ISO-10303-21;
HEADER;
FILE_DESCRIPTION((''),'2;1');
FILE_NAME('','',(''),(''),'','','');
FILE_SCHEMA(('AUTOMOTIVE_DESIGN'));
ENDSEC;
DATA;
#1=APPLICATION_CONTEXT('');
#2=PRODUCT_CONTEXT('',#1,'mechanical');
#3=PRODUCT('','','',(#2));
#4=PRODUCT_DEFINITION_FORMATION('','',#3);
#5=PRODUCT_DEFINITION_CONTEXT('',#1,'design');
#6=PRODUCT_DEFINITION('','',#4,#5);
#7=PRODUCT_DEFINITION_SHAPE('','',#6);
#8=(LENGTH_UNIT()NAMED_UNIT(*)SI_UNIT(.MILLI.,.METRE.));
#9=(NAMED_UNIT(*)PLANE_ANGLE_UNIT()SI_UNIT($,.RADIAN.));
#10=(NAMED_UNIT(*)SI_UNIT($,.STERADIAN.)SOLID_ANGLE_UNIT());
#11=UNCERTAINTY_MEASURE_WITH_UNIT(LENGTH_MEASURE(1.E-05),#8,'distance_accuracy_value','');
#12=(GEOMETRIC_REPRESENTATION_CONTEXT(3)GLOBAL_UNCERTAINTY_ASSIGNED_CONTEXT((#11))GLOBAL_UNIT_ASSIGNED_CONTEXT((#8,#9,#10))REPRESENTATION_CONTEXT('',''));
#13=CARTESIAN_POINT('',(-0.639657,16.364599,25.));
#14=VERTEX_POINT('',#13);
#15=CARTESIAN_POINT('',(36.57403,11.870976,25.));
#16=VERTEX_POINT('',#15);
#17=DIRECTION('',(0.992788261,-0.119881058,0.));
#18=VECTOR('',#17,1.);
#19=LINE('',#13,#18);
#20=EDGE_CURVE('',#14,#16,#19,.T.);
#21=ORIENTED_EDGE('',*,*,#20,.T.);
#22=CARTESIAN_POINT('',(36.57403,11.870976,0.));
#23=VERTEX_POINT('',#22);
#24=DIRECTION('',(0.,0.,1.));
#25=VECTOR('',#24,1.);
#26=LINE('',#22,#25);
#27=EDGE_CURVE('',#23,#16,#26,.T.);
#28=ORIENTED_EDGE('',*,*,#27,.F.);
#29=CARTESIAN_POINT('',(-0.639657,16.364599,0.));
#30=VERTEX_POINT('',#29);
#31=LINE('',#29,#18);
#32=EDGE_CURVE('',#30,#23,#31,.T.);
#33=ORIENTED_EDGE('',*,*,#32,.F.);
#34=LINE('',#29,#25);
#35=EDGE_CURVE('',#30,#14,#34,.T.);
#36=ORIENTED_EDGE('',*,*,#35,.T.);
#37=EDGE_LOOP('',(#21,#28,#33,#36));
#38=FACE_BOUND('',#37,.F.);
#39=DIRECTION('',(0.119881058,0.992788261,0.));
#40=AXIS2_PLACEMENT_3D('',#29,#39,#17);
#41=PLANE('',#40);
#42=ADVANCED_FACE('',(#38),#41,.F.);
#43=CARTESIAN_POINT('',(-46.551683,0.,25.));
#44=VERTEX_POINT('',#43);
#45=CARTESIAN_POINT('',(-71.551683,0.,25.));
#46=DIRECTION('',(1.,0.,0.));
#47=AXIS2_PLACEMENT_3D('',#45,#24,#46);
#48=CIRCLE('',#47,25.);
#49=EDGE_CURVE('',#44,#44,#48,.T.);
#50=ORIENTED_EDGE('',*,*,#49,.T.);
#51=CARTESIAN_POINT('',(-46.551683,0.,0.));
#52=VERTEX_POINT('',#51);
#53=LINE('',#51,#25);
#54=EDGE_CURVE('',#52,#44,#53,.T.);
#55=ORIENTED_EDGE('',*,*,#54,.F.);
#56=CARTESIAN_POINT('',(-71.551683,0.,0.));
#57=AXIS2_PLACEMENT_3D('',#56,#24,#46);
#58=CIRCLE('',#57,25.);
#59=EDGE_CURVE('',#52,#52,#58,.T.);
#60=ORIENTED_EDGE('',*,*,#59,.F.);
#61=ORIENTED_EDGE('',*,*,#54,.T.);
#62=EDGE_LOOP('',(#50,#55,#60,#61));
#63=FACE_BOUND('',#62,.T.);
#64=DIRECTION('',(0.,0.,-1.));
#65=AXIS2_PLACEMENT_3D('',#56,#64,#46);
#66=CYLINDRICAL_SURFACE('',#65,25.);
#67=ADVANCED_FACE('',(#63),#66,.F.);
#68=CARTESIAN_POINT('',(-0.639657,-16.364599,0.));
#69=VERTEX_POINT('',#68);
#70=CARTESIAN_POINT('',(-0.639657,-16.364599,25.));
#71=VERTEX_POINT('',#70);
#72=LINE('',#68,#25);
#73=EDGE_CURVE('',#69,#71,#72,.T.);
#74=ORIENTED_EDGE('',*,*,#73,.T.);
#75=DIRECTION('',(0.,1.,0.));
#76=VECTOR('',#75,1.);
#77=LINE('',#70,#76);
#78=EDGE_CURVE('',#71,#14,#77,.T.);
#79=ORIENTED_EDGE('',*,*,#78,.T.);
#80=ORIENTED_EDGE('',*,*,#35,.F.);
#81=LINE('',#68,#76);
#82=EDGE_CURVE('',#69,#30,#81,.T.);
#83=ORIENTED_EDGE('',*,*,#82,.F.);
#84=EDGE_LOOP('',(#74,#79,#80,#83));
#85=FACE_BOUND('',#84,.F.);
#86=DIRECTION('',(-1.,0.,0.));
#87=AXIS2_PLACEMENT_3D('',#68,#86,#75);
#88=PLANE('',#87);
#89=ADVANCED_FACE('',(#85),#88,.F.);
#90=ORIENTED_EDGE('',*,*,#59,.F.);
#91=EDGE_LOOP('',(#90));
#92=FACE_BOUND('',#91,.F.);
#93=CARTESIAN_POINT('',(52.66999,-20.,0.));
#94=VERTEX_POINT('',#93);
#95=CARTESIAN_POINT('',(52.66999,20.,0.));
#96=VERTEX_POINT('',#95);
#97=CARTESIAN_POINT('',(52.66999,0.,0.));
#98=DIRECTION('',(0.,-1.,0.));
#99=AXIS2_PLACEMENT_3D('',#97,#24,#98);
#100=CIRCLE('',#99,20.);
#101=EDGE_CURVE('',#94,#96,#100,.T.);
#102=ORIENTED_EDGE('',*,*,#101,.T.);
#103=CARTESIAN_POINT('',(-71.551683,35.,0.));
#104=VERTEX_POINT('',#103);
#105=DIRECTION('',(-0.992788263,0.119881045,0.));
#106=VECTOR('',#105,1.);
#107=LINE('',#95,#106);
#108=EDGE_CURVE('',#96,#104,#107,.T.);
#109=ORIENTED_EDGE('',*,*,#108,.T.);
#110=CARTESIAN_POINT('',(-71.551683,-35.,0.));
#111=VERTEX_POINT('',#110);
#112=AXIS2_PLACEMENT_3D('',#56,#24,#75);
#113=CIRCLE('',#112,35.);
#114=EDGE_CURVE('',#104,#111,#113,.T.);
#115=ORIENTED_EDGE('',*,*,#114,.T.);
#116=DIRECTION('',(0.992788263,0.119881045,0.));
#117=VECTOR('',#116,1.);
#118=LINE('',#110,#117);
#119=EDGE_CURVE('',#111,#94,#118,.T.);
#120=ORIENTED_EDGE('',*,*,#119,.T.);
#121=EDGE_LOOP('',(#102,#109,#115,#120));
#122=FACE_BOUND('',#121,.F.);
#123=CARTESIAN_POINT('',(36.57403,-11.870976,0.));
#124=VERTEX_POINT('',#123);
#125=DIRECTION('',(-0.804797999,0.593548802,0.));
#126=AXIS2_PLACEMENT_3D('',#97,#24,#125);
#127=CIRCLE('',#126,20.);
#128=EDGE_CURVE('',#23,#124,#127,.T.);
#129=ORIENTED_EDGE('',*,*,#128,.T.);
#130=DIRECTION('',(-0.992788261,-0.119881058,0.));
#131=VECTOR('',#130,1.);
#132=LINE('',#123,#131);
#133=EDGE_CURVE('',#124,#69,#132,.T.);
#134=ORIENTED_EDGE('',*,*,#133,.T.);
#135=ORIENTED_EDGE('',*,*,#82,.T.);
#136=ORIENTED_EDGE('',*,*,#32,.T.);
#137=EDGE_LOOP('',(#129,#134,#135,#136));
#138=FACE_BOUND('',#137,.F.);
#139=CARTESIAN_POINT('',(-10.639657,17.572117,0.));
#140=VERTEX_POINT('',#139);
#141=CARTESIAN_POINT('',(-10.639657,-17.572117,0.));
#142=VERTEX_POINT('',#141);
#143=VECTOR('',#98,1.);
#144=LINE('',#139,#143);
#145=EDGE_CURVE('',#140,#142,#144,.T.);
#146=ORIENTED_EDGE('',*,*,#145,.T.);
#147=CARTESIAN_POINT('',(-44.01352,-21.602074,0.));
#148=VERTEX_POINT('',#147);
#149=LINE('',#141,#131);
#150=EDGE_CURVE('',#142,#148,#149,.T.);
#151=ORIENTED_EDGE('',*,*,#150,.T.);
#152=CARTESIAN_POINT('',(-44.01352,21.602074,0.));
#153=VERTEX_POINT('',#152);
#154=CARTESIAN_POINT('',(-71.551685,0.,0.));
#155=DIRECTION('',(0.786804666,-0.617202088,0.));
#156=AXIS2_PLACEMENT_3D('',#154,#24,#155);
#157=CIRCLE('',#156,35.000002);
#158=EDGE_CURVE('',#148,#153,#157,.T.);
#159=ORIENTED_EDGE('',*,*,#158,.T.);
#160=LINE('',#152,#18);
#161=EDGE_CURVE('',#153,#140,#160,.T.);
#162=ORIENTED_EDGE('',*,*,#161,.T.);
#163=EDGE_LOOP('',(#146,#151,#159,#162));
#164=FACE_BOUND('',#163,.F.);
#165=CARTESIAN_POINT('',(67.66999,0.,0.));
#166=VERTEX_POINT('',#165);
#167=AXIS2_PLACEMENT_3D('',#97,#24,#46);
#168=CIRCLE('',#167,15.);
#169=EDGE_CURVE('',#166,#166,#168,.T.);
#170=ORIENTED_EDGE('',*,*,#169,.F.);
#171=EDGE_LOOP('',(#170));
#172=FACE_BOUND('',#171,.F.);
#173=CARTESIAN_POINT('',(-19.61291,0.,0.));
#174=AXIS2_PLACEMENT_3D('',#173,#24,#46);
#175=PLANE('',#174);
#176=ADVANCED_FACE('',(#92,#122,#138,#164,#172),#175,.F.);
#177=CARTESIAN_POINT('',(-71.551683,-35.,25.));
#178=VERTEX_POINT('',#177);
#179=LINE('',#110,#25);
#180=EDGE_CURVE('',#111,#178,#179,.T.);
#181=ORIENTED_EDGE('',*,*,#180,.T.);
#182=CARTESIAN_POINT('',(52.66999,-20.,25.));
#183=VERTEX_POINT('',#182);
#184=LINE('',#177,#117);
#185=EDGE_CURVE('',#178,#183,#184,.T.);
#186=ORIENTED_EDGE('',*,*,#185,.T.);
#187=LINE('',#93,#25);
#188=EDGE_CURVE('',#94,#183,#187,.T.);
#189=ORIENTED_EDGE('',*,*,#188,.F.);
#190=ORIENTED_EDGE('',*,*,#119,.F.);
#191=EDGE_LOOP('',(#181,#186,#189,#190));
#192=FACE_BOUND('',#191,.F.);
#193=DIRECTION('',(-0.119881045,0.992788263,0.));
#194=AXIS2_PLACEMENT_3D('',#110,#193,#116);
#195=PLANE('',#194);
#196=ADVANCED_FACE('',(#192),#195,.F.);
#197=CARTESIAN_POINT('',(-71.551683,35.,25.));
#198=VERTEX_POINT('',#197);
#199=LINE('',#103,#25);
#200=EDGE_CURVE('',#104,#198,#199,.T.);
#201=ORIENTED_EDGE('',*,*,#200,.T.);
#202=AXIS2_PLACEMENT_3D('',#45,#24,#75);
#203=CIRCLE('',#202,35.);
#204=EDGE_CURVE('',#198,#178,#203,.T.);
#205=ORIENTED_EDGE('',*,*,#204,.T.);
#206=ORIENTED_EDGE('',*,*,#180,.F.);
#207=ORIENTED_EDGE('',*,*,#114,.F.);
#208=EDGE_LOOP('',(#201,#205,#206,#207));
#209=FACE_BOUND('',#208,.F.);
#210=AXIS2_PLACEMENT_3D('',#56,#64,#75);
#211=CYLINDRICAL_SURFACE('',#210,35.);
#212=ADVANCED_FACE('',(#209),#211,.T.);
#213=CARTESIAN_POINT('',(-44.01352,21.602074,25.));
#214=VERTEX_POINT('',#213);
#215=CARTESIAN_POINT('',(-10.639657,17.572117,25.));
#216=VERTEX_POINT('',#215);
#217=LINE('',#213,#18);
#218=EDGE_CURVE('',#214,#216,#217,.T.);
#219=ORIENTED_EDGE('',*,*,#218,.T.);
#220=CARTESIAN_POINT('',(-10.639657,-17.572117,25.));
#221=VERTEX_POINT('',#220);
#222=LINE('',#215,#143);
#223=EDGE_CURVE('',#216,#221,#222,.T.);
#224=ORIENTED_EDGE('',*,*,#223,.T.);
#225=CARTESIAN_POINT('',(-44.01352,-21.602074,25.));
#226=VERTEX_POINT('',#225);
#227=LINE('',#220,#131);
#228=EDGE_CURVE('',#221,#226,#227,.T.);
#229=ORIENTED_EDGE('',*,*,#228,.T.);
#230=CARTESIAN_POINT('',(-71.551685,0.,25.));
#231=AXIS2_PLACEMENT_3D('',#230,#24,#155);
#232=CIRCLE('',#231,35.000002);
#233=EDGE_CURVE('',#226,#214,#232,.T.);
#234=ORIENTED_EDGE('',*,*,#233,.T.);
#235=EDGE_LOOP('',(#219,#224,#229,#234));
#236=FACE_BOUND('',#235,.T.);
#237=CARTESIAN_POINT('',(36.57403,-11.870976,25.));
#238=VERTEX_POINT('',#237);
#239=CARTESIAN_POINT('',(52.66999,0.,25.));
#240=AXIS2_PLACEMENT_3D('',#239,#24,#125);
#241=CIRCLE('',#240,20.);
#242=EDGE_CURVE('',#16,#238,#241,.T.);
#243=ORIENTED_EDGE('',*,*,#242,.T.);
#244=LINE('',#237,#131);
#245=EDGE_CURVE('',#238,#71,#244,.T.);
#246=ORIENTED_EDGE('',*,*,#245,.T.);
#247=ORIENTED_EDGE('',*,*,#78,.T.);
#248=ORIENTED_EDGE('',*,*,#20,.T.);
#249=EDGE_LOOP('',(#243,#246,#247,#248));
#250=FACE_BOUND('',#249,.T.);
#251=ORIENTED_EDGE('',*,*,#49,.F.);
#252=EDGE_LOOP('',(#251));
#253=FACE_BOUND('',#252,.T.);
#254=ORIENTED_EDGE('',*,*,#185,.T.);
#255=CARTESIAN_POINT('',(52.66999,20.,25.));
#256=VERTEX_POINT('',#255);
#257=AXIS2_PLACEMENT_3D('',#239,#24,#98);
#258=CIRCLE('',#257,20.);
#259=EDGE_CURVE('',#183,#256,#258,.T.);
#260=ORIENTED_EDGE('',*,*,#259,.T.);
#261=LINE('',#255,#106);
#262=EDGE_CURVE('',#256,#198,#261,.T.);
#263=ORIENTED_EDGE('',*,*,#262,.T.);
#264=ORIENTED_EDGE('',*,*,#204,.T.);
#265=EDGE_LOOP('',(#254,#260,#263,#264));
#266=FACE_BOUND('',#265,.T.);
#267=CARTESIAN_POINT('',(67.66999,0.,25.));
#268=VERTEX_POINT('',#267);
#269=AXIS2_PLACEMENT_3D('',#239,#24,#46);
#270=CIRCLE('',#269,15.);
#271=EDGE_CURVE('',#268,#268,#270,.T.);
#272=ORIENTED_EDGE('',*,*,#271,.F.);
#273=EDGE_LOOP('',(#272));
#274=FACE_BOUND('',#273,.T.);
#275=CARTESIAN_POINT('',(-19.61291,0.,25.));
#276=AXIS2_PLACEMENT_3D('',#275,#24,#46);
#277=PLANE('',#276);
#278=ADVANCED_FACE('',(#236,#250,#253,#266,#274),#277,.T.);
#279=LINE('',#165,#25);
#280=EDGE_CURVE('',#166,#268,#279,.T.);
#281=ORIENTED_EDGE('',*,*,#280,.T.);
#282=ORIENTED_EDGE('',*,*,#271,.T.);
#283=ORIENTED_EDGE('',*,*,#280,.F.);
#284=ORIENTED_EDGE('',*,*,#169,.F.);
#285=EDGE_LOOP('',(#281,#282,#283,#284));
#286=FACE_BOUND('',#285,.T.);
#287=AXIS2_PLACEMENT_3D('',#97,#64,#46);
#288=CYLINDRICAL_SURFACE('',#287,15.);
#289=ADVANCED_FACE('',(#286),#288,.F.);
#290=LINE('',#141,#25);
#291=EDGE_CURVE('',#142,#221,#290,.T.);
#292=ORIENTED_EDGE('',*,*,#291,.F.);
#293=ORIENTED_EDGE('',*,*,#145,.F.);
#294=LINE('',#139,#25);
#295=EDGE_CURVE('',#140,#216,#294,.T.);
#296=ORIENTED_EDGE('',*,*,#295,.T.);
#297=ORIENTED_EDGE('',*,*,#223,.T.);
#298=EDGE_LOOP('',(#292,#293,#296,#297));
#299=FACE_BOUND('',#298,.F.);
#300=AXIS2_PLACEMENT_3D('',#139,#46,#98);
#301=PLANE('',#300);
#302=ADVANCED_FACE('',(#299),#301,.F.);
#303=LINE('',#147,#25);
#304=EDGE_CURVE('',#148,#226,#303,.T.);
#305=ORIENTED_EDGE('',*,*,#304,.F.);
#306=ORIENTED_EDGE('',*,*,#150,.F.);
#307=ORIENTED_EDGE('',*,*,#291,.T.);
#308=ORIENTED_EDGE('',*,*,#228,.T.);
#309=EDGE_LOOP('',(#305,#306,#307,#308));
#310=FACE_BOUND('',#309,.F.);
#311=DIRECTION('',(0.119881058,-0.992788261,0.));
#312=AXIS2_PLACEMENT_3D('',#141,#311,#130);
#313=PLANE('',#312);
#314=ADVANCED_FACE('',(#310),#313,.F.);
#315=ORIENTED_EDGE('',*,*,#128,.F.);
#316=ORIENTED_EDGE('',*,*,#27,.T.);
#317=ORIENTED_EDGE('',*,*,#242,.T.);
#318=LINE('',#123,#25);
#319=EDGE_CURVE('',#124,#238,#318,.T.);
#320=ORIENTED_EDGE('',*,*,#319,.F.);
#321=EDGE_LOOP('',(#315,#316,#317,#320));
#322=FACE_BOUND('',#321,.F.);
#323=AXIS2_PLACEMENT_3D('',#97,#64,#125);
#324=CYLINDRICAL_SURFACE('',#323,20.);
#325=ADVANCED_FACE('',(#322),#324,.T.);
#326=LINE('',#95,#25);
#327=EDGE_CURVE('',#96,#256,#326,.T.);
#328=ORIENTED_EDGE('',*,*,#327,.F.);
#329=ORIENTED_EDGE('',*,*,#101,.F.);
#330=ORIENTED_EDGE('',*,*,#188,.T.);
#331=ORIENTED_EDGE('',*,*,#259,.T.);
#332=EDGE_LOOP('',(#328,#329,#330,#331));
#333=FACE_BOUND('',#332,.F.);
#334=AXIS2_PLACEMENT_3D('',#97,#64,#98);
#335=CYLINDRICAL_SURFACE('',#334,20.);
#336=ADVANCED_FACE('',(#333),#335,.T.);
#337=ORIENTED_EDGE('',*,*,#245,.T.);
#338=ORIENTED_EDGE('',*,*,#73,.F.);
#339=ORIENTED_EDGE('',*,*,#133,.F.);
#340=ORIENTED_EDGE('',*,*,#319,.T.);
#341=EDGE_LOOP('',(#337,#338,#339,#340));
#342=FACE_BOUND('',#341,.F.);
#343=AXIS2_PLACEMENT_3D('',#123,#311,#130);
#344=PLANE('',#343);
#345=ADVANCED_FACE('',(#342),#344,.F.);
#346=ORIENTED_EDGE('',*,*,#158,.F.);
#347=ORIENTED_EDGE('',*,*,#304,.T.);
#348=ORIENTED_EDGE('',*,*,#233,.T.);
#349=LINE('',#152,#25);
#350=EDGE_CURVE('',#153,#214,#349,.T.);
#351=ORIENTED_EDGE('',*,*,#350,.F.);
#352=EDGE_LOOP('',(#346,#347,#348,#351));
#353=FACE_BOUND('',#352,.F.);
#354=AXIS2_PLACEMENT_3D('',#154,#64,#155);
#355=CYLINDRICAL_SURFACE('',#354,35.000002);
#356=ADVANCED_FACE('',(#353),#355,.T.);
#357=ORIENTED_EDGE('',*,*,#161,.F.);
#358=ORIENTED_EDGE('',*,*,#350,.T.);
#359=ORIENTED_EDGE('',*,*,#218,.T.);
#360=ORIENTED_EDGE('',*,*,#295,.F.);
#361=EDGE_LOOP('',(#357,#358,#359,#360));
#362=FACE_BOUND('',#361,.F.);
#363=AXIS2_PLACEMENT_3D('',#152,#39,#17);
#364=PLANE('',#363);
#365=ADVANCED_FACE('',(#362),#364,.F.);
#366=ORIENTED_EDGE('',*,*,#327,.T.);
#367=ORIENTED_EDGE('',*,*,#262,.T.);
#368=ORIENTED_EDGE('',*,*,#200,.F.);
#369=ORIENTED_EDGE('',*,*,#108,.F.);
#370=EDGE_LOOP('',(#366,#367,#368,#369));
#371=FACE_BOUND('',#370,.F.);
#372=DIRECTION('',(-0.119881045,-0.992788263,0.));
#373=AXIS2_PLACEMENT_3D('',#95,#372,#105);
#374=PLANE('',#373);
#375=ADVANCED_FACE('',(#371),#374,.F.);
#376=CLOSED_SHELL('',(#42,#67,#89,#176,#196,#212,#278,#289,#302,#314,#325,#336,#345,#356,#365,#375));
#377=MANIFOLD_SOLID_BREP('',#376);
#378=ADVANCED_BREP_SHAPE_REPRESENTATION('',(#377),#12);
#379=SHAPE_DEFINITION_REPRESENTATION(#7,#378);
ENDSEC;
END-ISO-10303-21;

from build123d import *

# Parameters (mm, degrees)
F0_R     = 25
F0_R_2   = 15
F1_DEPTH = 25


with BuildPart() as f1:
    # F0 (on Top) → F1 (new body)
    with BuildSketch(Plane.XY):
        with BuildLine():
            Line((52.66999, 20), (-71.551683, 35))
            ThreePointArc((-71.551683, 35), (-106.551683, 0), (-71.551683, -35))
            Line((-71.551683, -35), (52.66999, -20))
            ThreePointArc((52.66999, -20), (72.66999, 0), (52.66999, 20))
        make_face()
        with Locations((-71.551683, 0)):
            Circle(F0_R, mode=Mode.SUBTRACT)
        with BuildLine():
            ThreePointArc((-44.01352, -21.602074), (-36.551683, 0), (-44.01352, 21.602074))
            Line((-44.01352, 21.602074), (-10.639657, 17.572117))
            Line((-10.639657, 17.572117), (-10.639657, -17.572117))
            Line((-10.639657, -17.572117), (-44.01352, -21.602074))
        make_face(mode=Mode.SUBTRACT)
        with BuildLine():
            Line((-0.639657, 16.364599), (36.57403, 11.870976))
            ThreePointArc((36.57403, 11.870976), (32.66999, 0), (36.57403, -11.870976))
            Line((36.57403, -11.870976), (-0.639657, -16.364599))
            Line((-0.639657, -16.364599), (-0.639657, 16.364599))
        make_face(mode=Mode.SUBTRACT)
        with Locations((52.66999, 0)):
            Circle(F0_R_2, mode=Mode.SUBTRACT)
    extrude(amount=F1_DEPTH)


solid = f1.part
